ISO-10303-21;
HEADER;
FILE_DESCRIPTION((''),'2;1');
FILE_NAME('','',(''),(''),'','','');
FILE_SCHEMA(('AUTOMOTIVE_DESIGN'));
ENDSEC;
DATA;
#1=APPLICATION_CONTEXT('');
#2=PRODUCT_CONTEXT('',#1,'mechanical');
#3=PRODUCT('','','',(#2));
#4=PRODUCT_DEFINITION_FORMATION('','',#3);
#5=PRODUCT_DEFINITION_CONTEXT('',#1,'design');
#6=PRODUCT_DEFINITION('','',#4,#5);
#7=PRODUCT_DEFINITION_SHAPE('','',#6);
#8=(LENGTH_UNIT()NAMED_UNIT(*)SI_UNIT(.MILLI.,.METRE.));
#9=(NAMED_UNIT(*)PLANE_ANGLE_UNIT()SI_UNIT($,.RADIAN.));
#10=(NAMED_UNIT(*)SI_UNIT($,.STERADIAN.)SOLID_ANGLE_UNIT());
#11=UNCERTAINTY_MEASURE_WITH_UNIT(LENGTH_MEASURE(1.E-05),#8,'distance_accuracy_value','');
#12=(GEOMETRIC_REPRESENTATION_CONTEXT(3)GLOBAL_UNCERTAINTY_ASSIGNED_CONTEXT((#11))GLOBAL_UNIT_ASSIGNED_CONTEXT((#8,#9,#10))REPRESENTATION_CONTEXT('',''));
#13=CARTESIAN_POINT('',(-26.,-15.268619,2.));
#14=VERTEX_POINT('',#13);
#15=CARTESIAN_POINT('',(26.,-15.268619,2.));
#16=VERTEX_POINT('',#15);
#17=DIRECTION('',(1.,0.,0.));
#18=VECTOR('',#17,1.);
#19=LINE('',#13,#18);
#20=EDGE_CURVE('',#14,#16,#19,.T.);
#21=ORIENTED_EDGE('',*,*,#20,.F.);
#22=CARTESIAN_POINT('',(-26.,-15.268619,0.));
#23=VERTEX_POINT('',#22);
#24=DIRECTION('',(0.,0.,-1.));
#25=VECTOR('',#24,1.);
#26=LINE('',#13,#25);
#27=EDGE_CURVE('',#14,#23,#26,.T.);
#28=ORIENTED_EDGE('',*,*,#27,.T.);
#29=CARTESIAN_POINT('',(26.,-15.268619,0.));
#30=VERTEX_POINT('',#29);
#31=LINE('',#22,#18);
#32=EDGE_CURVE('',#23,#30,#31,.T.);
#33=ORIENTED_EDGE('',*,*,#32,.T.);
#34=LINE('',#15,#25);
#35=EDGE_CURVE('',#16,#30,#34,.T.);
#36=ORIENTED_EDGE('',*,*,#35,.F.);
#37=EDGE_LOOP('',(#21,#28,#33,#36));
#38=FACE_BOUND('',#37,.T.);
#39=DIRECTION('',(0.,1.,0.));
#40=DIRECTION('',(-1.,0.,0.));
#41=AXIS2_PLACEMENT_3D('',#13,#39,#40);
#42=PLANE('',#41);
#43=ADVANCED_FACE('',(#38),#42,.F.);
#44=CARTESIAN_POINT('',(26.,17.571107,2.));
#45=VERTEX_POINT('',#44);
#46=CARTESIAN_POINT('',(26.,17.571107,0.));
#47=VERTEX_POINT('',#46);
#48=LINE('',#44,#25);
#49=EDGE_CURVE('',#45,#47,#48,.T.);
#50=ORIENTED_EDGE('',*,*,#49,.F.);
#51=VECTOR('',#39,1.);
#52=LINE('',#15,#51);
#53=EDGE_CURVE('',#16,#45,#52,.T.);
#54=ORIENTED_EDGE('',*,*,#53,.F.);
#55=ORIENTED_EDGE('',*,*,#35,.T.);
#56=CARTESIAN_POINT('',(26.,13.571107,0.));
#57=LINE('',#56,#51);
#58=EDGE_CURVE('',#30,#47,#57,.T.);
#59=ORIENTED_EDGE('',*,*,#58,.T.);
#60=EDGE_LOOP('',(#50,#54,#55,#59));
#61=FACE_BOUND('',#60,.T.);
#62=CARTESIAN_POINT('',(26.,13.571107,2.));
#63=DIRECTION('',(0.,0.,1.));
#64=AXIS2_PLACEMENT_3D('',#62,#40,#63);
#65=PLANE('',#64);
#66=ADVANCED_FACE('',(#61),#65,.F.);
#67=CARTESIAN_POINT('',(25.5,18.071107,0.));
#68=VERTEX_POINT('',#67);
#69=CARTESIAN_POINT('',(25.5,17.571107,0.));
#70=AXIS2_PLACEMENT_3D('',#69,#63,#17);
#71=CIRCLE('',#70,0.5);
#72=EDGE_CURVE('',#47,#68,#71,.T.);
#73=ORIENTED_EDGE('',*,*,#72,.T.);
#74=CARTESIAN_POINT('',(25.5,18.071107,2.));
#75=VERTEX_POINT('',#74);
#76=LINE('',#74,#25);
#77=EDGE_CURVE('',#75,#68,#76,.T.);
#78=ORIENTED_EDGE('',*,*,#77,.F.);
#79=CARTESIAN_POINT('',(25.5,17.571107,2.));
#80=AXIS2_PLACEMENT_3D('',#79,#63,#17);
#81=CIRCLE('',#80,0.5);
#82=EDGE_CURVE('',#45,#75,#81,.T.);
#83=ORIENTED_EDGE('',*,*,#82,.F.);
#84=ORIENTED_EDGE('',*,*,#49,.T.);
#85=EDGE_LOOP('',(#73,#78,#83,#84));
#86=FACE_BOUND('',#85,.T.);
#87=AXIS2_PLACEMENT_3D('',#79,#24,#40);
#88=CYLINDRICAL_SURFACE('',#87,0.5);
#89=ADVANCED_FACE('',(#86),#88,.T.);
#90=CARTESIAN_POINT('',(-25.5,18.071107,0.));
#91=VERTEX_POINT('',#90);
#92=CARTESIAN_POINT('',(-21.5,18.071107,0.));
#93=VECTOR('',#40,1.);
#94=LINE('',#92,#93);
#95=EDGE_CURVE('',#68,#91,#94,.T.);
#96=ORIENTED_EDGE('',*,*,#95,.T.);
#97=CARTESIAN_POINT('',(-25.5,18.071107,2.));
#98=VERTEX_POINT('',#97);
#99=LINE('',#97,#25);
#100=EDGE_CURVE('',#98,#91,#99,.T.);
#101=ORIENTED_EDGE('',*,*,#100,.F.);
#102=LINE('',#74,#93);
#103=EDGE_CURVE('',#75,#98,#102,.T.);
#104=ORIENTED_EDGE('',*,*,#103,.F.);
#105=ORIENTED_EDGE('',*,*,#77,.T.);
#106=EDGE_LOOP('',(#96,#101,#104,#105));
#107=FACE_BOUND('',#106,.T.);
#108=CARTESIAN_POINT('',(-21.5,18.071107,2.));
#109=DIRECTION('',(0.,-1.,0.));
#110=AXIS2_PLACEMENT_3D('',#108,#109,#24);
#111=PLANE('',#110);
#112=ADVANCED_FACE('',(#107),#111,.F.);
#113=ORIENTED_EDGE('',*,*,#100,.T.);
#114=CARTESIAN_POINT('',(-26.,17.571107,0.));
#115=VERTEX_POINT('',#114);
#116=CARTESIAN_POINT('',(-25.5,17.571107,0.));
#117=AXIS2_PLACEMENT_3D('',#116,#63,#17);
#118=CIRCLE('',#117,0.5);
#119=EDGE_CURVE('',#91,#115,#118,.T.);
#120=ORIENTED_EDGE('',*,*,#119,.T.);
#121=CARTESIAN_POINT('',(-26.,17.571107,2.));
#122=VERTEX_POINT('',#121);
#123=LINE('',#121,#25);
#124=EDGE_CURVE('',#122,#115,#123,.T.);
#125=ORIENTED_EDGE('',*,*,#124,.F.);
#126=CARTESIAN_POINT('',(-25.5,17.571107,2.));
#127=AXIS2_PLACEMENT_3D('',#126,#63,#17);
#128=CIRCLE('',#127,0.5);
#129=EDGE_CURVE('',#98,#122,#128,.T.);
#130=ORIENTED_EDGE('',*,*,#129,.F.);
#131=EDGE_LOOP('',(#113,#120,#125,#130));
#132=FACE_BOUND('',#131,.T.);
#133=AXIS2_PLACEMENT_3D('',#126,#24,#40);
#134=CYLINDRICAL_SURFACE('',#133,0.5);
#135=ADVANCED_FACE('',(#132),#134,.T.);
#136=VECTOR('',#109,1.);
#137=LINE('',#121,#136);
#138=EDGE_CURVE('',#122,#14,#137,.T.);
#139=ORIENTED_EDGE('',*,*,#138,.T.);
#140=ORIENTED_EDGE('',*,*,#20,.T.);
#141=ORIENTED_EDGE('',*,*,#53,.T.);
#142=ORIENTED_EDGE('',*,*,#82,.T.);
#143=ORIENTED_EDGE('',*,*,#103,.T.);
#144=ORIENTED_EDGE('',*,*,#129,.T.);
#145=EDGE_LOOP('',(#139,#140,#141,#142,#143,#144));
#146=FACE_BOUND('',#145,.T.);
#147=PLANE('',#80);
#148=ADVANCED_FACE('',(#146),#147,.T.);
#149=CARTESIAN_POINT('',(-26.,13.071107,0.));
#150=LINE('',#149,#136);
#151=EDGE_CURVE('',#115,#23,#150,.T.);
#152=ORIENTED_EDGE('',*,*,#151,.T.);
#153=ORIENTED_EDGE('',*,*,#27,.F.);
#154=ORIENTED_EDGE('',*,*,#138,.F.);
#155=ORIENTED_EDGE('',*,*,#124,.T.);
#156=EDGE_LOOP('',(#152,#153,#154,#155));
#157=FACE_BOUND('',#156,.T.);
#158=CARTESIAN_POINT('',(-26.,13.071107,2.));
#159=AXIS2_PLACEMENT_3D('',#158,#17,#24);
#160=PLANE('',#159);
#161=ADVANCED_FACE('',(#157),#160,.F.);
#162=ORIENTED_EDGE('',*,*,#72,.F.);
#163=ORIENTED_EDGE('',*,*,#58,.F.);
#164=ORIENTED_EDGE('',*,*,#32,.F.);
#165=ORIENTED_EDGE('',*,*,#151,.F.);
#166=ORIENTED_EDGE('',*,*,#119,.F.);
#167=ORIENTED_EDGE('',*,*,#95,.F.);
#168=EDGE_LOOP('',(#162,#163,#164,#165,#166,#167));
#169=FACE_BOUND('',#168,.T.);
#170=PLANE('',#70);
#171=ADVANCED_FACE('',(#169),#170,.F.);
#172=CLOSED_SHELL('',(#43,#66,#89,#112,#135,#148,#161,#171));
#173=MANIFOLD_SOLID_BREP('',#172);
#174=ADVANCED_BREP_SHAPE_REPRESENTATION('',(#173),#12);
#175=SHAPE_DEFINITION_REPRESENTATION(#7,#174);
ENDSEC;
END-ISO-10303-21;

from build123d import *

# Parameters (mm, degrees)
BOSS_EXTRUDE1_DEPTH = 2


with BuildPart() as part:
    # Sketch1 → Boss-Extrude1 (new body)
    with BuildSketch(Plane.XY):
        with BuildLine():
            Line((26, 13.571107206), (26, 17.571107206))
            ThreePointArc((26, 17.571107206), (25.853553391, 17.924660596), (25.5, 18.071107206))
            Line((25.5, 18.071107206), (21.499997229, 18.071107206))
            Line((21.499997229, 18.071107206), (21, 18.071107206))
            Line((21, 18.071107206), (-21, 18.071107206))
            Line((-21, 18.071107206), (-21.5, 18.071107206))
            Line((-21.5, 18.071107206), (-25.5, 18.071107206))
            ThreePointArc((-25.5, 18.071107206), (-25.853553391, 17.924660596), (-26, 17.571107206))
            Line((-26, 17.571107206), (-26, 13.571104435))
            Line((-26, 13.571104435), (-26, 13.071107206))
            Line((-26, 13.071107206), (-26, -15.268618748))
            Line((-26, -15.268618748), (26, -15.268618748))
            Line((26, -15.268618748), (26, 13.071107206))
            Line((26, 13.071107206), (26, 13.571107206))
        make_face()
    extrude(amount=BOSS_EXTRUDE1_DEPTH)


solid = part.part
